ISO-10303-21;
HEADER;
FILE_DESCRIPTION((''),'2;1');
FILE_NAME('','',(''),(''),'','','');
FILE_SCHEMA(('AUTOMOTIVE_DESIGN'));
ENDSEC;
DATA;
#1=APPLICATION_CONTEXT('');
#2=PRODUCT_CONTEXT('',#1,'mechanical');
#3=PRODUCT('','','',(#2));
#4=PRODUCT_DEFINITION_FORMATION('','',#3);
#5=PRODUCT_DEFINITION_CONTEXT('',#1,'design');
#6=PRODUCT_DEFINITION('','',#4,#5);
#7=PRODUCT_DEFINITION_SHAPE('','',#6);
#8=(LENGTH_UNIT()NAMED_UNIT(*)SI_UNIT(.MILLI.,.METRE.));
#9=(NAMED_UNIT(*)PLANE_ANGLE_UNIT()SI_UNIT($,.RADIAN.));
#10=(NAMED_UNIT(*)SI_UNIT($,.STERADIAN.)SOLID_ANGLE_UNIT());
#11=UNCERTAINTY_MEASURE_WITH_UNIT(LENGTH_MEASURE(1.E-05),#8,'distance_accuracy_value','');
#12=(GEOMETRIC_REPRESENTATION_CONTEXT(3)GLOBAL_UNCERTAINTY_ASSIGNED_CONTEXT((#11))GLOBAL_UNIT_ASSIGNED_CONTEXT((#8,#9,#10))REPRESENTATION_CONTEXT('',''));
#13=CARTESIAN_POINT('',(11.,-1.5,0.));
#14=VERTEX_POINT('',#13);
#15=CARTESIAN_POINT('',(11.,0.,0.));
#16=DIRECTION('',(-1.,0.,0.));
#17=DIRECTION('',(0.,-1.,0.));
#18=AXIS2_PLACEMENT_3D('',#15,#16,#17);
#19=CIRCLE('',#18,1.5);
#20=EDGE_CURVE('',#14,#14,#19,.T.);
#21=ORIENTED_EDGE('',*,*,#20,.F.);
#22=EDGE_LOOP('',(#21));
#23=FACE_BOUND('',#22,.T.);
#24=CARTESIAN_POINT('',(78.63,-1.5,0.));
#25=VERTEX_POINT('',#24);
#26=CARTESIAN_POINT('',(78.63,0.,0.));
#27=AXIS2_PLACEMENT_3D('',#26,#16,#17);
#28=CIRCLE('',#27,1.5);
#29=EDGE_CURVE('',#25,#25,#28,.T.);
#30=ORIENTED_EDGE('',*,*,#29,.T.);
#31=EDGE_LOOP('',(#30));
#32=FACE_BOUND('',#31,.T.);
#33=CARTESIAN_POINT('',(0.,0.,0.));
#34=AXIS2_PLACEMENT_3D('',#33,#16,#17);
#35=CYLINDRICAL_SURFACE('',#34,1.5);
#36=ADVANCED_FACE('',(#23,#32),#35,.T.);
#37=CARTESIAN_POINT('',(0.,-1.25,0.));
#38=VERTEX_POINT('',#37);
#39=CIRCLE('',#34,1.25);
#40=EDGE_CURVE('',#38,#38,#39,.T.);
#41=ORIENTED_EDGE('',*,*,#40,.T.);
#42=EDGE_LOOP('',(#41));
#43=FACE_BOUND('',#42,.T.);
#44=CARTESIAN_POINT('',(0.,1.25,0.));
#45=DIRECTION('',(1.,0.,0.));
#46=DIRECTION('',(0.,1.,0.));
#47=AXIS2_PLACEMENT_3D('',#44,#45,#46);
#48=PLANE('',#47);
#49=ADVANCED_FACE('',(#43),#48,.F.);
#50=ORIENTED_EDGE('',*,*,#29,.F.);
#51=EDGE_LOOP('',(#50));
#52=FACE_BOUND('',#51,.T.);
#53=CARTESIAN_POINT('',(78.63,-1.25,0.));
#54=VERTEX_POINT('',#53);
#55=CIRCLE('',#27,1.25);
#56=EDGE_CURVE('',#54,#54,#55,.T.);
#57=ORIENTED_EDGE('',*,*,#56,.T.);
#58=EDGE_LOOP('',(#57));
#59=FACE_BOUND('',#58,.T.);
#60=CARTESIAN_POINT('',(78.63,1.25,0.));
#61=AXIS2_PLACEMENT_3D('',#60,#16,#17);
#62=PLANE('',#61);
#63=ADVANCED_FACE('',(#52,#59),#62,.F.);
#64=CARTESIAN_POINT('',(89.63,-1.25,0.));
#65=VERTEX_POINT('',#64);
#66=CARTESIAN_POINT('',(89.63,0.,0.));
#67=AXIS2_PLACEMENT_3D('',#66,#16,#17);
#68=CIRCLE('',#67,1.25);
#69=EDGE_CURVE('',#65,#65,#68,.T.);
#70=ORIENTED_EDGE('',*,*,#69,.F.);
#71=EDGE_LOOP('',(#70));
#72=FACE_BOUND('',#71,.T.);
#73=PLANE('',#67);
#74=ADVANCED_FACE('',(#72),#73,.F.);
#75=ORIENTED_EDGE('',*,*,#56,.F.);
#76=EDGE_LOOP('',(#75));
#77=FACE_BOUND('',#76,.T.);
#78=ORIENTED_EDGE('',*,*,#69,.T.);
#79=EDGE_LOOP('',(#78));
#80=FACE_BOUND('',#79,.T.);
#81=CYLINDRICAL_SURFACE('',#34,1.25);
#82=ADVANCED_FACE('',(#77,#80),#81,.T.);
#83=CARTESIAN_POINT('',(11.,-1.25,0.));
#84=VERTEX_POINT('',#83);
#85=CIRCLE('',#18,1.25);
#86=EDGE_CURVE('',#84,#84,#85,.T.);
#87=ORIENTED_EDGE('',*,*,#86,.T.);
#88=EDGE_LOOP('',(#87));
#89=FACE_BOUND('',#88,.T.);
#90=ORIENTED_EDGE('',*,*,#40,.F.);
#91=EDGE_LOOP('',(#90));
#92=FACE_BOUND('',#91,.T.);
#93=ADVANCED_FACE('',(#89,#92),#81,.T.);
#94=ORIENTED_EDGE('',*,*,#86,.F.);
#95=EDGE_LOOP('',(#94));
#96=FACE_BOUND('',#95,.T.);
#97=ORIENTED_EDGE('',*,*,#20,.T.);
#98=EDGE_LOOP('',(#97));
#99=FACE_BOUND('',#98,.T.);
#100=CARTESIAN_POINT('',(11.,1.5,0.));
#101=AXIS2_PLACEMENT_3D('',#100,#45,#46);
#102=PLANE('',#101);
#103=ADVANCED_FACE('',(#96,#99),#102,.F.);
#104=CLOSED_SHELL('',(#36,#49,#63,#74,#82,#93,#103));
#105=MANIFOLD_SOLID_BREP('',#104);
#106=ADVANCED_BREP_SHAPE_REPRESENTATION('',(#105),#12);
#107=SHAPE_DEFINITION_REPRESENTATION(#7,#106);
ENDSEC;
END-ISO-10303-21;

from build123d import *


with BuildPart() as part:
    # Sketch1 → Revolve1 (revolve)
    with BuildSketch(Plane.XY, mode=Mode.PRIVATE) as revolve1_sk:
        Polygon((0, 0), (89.63, 0), (89.63, 1.25), (78.63, 1.25), (78.63, 1.5), (11, 1.5), (11, 1.25), (0, 1.25), align=None)
    revolve(revolve1_sk.sketch.rotate(Axis((0, 0, 0), (1, 0, 0)), 180), axis=Axis((0, 0, 0), (1, 0, 0)))


solid = part.part
